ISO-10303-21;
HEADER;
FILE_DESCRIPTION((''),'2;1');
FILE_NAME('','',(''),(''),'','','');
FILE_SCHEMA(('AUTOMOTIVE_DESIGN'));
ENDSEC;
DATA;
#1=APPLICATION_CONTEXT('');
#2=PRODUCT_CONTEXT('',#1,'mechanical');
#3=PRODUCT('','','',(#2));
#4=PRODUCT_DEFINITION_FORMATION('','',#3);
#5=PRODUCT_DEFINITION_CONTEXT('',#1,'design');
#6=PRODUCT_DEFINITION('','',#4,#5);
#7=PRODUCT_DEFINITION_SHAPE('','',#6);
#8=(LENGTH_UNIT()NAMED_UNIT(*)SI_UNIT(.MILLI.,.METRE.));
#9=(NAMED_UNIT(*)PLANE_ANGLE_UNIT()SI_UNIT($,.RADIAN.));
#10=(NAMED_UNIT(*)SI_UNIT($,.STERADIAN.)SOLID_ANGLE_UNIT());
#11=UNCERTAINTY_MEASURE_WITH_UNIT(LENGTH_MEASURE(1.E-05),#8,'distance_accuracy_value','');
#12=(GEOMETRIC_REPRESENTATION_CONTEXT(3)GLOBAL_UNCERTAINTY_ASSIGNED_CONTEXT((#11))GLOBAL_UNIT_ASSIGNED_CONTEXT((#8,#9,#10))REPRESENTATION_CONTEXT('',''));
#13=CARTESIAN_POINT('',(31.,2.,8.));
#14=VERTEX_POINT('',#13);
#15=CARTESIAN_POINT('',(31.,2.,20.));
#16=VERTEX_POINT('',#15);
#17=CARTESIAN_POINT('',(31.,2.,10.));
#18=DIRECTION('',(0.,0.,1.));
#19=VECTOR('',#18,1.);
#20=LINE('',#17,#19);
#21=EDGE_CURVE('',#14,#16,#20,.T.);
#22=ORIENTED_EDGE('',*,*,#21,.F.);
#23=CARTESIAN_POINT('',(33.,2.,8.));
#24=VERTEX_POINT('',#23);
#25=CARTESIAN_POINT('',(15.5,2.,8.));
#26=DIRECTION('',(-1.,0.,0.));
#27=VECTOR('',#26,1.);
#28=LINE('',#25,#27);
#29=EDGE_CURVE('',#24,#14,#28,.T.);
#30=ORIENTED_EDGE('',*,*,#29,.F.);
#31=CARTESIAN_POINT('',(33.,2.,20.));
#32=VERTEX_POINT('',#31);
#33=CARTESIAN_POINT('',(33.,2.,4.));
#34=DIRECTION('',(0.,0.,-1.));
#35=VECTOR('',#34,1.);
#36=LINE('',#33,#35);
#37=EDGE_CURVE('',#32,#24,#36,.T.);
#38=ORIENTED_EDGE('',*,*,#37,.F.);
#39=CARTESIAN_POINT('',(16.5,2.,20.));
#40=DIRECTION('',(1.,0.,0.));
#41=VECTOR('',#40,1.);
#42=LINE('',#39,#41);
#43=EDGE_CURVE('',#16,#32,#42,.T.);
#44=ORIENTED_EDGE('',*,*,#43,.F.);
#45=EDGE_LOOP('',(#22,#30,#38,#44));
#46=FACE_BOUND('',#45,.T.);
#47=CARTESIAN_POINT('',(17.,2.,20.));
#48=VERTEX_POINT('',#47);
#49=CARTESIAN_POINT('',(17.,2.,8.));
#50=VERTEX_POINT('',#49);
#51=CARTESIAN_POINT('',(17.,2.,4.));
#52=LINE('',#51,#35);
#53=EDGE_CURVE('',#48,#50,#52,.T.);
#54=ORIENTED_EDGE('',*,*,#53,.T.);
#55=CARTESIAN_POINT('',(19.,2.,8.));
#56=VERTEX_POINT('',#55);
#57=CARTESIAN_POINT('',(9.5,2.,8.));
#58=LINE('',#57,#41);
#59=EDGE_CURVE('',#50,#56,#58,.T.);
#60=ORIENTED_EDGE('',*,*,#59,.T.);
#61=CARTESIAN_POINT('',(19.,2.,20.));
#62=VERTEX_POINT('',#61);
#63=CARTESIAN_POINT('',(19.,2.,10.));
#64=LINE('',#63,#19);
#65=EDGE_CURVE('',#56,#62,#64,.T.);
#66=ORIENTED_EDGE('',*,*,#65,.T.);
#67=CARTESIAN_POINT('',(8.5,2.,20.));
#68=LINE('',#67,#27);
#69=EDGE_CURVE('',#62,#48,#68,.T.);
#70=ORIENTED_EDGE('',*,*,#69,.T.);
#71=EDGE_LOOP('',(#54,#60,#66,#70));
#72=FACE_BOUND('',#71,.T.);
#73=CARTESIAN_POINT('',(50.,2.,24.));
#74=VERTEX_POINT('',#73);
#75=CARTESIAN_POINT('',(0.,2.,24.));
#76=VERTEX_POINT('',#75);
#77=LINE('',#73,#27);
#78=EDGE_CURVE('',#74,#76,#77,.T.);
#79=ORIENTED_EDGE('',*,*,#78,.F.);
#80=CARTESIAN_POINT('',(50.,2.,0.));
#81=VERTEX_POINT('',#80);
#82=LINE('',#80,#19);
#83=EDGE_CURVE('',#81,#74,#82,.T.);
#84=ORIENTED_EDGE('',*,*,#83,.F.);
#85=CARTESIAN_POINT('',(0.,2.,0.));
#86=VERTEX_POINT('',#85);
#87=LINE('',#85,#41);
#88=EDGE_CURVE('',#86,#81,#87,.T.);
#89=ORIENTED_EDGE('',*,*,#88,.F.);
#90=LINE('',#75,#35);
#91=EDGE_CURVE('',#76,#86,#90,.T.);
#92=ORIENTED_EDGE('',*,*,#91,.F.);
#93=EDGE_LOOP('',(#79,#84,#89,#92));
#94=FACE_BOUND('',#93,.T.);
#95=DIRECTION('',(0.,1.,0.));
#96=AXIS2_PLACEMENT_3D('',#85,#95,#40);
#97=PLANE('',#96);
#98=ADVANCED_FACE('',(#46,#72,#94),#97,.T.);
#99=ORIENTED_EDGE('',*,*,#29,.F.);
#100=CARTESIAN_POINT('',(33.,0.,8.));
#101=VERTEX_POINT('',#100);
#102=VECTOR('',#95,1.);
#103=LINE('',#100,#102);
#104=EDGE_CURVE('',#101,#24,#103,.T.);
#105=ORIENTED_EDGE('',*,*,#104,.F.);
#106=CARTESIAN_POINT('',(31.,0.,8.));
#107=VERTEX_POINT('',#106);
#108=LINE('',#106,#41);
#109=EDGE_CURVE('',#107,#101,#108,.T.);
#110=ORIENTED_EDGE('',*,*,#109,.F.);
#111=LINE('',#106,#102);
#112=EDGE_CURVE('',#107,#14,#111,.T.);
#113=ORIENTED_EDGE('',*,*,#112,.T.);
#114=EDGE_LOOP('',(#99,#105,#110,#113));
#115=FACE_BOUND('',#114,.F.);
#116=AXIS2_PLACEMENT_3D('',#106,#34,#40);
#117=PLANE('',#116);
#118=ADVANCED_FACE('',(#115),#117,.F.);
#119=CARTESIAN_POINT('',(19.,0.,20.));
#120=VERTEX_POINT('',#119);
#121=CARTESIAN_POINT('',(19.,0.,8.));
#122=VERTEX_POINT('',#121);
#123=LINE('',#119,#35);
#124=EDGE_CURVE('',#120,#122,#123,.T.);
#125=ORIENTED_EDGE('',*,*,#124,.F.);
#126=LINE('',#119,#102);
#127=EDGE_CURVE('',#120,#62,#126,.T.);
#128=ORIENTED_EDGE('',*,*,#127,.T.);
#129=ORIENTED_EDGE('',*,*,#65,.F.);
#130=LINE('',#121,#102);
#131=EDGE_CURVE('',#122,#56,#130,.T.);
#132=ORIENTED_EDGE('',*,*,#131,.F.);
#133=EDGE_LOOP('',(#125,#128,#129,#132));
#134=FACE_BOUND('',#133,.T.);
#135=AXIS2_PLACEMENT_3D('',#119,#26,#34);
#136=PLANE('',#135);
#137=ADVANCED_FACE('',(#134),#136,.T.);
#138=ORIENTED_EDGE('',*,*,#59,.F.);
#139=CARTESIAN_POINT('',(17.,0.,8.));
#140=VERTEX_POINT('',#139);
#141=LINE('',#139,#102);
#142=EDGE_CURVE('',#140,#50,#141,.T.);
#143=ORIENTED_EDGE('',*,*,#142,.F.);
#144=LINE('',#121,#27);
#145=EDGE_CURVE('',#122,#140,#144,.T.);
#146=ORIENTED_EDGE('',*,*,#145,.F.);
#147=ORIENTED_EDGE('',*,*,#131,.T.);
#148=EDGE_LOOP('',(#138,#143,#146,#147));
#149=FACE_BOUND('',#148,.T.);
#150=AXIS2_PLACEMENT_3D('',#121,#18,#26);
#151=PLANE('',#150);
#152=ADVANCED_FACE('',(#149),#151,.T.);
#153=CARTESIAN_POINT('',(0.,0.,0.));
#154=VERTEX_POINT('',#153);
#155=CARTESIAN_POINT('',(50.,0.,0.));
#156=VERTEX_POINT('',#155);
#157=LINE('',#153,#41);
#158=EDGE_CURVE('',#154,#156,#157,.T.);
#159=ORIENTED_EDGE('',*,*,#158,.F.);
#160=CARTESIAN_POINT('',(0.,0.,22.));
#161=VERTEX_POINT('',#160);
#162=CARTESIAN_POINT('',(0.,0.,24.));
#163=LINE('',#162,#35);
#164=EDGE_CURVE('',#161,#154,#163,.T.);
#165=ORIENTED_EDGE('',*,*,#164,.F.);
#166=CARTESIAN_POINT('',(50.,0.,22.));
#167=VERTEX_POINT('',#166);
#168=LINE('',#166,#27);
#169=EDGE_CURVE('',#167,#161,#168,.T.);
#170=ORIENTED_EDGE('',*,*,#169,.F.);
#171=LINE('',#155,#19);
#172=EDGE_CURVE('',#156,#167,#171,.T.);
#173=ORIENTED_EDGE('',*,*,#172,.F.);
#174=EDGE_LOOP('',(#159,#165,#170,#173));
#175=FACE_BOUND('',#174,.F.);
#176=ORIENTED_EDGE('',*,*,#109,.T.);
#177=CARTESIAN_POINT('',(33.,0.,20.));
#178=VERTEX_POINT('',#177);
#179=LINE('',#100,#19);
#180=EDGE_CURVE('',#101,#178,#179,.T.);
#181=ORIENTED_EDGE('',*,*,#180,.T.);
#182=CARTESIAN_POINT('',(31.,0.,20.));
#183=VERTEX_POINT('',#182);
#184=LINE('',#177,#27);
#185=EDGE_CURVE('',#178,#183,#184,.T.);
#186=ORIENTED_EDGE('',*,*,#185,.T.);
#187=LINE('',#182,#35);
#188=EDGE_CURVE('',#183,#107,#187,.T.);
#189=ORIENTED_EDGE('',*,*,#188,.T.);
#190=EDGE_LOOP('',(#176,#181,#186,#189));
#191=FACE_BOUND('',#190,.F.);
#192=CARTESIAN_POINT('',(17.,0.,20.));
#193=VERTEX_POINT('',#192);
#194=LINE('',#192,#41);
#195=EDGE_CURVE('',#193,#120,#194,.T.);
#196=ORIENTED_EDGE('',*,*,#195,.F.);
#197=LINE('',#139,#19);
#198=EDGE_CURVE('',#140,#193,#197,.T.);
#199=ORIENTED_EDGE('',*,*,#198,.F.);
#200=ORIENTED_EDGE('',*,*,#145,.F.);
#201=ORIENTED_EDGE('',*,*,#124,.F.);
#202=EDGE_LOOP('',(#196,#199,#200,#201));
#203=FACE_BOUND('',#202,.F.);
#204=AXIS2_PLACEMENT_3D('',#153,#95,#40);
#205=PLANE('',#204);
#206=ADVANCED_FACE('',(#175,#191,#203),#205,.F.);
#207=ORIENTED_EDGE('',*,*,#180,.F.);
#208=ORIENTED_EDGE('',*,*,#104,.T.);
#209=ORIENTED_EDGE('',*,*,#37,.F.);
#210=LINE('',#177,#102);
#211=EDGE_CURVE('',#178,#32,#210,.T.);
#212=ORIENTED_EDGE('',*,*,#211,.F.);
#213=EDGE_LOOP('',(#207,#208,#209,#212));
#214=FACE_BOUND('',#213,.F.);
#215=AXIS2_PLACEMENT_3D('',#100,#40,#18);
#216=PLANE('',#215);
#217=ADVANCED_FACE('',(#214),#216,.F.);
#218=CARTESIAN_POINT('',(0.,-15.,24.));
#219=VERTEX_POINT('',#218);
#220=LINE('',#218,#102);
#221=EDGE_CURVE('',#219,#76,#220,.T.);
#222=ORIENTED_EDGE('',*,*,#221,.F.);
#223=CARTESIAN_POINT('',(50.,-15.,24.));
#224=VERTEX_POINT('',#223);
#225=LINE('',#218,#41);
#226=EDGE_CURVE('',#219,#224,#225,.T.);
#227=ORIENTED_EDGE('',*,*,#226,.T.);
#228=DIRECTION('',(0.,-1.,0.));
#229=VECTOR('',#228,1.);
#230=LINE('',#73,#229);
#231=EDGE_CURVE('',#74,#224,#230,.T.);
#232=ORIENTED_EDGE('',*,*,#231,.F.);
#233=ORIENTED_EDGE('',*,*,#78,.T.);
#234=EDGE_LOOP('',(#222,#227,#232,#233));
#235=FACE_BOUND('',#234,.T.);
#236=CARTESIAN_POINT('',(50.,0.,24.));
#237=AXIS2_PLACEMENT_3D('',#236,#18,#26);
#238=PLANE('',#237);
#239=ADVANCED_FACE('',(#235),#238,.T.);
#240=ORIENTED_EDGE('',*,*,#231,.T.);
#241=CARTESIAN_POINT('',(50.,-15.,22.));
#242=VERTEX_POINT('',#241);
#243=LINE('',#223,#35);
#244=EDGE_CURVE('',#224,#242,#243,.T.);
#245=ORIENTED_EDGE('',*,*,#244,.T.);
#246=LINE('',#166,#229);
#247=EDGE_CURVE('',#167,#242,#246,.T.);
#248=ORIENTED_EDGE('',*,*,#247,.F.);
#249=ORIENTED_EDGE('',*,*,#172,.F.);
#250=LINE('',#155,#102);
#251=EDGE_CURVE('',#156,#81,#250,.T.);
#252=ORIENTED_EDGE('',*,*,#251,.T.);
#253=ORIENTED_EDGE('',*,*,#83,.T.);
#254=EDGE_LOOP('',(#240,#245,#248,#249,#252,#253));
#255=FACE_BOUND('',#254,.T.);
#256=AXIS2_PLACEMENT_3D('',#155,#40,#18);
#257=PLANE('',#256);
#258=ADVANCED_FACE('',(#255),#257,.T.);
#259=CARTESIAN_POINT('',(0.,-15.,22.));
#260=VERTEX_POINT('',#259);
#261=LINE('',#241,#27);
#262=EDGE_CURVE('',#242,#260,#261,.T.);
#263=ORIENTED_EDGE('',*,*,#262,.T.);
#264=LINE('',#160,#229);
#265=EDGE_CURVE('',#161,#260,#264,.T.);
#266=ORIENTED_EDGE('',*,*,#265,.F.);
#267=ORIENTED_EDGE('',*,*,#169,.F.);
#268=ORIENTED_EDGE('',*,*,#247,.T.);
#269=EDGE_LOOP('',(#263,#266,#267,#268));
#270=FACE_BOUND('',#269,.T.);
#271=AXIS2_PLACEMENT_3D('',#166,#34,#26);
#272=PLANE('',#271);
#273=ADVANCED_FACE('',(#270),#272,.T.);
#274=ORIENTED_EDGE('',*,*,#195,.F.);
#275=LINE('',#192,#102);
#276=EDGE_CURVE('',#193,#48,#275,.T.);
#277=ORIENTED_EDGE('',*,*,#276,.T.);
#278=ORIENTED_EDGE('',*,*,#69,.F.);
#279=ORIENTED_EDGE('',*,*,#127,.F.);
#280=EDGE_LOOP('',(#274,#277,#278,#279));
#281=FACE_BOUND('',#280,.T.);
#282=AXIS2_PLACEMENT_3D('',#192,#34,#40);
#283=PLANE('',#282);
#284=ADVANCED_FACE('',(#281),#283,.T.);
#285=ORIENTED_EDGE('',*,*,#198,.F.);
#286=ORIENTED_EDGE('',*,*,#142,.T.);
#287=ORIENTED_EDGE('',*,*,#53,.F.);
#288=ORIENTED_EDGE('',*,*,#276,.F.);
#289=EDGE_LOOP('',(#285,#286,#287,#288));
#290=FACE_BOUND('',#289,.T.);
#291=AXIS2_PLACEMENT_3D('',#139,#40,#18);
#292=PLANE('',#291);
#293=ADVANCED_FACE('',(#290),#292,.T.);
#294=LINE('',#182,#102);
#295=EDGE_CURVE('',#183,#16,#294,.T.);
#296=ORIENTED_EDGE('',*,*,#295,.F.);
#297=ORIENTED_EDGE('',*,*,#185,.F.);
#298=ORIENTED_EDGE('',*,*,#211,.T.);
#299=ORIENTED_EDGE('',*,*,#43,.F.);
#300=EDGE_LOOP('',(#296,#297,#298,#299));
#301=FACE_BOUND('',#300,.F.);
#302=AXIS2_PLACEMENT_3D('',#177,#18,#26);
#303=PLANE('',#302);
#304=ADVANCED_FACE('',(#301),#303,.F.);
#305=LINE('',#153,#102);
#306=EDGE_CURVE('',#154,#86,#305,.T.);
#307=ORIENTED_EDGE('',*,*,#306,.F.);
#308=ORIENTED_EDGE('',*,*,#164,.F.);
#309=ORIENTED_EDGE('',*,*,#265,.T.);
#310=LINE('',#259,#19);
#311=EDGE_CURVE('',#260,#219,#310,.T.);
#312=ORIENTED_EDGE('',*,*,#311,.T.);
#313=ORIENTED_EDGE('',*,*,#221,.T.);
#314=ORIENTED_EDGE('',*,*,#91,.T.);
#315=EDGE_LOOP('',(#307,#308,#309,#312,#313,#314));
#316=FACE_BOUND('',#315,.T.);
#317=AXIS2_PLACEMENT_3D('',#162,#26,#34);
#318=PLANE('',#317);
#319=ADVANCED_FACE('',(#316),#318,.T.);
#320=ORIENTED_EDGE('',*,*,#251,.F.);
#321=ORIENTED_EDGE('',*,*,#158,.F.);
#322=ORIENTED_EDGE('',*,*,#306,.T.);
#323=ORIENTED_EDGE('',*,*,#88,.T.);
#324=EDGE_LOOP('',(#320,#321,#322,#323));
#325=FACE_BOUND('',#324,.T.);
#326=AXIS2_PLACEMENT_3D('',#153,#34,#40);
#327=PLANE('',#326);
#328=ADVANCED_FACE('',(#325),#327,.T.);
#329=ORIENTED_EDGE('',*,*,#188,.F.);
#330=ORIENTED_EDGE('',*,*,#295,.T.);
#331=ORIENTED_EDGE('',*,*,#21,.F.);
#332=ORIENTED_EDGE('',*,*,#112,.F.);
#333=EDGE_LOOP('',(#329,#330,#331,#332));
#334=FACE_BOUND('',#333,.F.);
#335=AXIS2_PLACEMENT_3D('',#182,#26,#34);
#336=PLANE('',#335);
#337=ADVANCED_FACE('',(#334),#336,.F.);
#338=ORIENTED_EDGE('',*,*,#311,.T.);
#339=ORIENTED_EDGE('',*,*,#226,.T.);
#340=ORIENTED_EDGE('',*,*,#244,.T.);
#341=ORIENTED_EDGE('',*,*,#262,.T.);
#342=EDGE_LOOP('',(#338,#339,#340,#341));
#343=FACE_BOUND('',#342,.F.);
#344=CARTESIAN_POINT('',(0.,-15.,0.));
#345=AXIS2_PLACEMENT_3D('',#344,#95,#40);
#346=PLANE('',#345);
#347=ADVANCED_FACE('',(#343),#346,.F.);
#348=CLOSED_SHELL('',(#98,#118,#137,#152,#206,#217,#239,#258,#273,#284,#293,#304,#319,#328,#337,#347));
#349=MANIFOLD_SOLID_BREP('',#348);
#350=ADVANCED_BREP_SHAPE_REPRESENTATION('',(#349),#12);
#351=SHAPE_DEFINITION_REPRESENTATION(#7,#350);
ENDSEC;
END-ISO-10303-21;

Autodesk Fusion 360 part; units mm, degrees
sketch "Sketch1" plane through (0, 0, 0) normal (0, 1, 0) x (1, 0, 0)
  line L0 (0, 0) -> (50, 0)
  line L1 (50, 0) -> (50, -24)
  line L2 (50, -24) -> (0, -24)
  line L3 (0, -24) -> (0, 0)
extrude "Extrude1" add sketch "Sketch1" along normal blind 2
sketch "Sketch2" plane through (0, 0, 0) normal (0, 1, 0) x (1, 0, 0)
  line L0 (0, -24) -> (50, -24)
  line L1 (50, -24) -> (50, -22)
  line L2 (50, -22) -> (0, -22)
  line L3 (0, -22) -> (0, -24)
extrude "Extrude2" add sketch "Sketch2" against normal blind 15
sketch "Sketch3" plane through (0, 0, 0) normal (0, 1, 0) x (1, 0, 0)
  line L0 (17, -20) -> (19, -20)
  line L1 (19, -20) -> (19, -8)
  line L2 (19, -8) -> (17, -8)
  line L3 (17, -8) -> (17, -20)
extrude "Extrude3" cut sketch "Sketch3" along normal blind 5
sketch "Sketch4" plane through (0, 0, 0) normal (0, 1, 0) x (1, 0, 0)
  line L0 (33, -20) -> (31, -20)
  line L1 (31, -20) -> (31, -8)
  line L2 (31, -8) -> (33, -8)
  line L3 (33, -8) -> (33, -20)
extrude "Extrude4" cut sketch "Sketch4" along normal blind 3
